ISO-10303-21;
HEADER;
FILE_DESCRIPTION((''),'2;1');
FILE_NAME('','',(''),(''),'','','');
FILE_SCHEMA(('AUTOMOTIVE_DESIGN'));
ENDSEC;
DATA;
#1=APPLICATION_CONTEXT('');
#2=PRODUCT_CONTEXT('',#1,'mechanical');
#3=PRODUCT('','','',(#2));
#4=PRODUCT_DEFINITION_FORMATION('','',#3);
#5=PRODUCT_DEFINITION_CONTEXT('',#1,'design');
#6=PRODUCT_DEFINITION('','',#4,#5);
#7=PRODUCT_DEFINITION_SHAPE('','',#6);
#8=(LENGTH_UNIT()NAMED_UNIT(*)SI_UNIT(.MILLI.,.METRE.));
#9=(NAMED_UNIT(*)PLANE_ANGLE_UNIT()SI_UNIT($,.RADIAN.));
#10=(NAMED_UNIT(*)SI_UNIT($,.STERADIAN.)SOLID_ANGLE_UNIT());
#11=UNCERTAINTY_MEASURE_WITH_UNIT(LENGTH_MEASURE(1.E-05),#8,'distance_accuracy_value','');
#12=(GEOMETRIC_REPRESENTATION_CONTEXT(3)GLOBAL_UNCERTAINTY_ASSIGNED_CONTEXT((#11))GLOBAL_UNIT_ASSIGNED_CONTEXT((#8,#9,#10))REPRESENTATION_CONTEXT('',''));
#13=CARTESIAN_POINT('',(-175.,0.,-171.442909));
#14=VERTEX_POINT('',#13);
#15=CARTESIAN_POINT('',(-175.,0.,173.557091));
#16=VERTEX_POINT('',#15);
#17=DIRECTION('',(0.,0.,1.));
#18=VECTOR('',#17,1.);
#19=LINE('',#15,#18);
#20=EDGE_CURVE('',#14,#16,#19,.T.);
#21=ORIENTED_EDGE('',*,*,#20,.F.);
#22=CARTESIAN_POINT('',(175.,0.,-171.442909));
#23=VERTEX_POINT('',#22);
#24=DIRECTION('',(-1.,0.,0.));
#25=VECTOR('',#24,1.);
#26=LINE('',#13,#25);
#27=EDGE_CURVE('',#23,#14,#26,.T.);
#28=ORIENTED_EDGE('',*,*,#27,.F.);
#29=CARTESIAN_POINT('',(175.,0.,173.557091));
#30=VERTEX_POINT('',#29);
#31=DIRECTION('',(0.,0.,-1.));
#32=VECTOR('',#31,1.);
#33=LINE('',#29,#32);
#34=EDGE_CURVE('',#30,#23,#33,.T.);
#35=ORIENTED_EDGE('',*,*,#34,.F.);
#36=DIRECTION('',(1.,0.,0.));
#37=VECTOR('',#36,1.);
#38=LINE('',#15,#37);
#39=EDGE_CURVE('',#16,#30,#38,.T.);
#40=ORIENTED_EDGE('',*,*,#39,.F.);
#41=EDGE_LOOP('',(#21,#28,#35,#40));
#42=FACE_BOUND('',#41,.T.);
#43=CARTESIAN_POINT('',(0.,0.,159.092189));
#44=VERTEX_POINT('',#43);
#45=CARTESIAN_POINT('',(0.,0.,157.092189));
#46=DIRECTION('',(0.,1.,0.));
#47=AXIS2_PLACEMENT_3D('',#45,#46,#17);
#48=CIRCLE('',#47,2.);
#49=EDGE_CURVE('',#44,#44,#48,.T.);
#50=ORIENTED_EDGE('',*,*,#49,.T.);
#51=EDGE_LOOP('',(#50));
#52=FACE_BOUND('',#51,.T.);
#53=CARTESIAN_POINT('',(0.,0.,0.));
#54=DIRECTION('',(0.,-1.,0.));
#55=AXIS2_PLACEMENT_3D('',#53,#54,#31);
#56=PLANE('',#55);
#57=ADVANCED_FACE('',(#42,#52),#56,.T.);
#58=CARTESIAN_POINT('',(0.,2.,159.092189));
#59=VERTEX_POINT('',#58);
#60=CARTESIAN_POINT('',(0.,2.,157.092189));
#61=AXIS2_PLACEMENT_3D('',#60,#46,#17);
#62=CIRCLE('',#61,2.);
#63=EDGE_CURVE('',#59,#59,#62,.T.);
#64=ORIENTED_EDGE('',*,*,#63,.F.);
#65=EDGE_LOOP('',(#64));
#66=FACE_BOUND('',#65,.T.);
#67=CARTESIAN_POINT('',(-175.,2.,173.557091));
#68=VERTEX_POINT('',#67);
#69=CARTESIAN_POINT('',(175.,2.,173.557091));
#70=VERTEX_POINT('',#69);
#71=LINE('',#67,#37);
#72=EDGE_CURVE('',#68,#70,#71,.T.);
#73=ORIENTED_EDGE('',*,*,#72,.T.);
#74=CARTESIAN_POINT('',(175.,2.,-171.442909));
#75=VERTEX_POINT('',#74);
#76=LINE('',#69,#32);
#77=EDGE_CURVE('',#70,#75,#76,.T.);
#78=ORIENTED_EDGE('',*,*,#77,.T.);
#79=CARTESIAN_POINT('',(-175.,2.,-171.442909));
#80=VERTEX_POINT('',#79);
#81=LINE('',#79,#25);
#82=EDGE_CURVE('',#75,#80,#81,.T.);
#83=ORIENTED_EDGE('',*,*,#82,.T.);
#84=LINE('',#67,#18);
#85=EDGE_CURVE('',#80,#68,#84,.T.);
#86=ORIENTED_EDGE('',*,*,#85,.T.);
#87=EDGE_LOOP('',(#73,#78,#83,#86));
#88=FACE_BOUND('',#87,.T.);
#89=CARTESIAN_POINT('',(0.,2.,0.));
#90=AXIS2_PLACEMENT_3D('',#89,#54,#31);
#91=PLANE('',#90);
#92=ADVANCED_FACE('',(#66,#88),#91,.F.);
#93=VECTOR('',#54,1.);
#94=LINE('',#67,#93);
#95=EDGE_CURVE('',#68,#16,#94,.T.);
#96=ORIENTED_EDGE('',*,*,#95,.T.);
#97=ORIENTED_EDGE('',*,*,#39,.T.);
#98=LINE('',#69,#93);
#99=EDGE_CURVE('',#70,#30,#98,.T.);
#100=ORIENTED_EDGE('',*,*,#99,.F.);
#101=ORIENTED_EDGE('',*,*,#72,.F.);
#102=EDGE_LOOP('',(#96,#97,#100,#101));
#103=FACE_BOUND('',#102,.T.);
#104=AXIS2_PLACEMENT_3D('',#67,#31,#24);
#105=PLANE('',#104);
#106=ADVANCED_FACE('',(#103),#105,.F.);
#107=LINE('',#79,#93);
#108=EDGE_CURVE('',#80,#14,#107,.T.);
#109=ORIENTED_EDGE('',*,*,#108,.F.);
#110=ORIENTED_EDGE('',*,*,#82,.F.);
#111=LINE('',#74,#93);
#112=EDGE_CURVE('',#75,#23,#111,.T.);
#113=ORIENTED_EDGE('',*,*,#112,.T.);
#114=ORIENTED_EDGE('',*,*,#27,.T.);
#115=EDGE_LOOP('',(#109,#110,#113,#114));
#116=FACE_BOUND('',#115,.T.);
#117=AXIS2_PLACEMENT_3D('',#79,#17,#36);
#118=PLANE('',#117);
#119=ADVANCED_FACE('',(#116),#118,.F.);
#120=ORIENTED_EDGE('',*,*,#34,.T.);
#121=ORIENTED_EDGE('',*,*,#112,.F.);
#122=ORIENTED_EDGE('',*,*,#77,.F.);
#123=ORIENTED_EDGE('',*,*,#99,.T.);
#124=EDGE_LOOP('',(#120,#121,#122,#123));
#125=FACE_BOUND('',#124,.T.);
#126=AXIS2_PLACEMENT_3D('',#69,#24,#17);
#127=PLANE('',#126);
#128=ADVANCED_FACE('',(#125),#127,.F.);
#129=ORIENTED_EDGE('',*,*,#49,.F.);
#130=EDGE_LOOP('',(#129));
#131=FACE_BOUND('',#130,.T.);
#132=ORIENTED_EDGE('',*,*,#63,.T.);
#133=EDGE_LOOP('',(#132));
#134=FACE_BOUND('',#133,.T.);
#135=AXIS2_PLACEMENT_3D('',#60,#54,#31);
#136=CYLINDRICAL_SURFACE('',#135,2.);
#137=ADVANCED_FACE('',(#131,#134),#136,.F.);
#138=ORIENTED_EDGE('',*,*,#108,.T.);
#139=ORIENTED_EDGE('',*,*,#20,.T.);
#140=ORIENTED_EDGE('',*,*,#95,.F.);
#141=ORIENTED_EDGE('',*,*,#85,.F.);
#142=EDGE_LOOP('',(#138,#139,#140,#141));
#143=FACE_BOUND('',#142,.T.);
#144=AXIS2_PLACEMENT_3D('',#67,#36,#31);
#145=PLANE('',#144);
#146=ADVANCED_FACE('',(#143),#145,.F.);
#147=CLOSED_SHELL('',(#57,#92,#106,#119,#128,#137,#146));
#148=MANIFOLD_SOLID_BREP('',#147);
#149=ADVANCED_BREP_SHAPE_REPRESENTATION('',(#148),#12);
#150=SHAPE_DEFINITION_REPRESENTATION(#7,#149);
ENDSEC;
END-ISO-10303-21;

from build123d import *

# Parameters (mm, degrees)
SKETCH1_W           = 350
SKETCH1_H           = 345
SKETCH1_R           = 2
BOSS_EXTRUDE1_DEPTH = 2


with BuildPart() as part:
    # Sketch1 → Boss-Extrude1 (new body)
    with BuildSketch(Plane(origin=(0, 0, 0), x_dir=(1, 0, 0), z_dir=(0, 1, 0))):
        with Locations((0, -1.057091064)):
            Rectangle(SKETCH1_W, SKETCH1_H)
        with Locations(Location((0, -157.092188887, 0), (0, 0, 270))):
            Circle(SKETCH1_R, mode=Mode.SUBTRACT)
    extrude(amount=BOSS_EXTRUDE1_DEPTH)


solid = part.part
